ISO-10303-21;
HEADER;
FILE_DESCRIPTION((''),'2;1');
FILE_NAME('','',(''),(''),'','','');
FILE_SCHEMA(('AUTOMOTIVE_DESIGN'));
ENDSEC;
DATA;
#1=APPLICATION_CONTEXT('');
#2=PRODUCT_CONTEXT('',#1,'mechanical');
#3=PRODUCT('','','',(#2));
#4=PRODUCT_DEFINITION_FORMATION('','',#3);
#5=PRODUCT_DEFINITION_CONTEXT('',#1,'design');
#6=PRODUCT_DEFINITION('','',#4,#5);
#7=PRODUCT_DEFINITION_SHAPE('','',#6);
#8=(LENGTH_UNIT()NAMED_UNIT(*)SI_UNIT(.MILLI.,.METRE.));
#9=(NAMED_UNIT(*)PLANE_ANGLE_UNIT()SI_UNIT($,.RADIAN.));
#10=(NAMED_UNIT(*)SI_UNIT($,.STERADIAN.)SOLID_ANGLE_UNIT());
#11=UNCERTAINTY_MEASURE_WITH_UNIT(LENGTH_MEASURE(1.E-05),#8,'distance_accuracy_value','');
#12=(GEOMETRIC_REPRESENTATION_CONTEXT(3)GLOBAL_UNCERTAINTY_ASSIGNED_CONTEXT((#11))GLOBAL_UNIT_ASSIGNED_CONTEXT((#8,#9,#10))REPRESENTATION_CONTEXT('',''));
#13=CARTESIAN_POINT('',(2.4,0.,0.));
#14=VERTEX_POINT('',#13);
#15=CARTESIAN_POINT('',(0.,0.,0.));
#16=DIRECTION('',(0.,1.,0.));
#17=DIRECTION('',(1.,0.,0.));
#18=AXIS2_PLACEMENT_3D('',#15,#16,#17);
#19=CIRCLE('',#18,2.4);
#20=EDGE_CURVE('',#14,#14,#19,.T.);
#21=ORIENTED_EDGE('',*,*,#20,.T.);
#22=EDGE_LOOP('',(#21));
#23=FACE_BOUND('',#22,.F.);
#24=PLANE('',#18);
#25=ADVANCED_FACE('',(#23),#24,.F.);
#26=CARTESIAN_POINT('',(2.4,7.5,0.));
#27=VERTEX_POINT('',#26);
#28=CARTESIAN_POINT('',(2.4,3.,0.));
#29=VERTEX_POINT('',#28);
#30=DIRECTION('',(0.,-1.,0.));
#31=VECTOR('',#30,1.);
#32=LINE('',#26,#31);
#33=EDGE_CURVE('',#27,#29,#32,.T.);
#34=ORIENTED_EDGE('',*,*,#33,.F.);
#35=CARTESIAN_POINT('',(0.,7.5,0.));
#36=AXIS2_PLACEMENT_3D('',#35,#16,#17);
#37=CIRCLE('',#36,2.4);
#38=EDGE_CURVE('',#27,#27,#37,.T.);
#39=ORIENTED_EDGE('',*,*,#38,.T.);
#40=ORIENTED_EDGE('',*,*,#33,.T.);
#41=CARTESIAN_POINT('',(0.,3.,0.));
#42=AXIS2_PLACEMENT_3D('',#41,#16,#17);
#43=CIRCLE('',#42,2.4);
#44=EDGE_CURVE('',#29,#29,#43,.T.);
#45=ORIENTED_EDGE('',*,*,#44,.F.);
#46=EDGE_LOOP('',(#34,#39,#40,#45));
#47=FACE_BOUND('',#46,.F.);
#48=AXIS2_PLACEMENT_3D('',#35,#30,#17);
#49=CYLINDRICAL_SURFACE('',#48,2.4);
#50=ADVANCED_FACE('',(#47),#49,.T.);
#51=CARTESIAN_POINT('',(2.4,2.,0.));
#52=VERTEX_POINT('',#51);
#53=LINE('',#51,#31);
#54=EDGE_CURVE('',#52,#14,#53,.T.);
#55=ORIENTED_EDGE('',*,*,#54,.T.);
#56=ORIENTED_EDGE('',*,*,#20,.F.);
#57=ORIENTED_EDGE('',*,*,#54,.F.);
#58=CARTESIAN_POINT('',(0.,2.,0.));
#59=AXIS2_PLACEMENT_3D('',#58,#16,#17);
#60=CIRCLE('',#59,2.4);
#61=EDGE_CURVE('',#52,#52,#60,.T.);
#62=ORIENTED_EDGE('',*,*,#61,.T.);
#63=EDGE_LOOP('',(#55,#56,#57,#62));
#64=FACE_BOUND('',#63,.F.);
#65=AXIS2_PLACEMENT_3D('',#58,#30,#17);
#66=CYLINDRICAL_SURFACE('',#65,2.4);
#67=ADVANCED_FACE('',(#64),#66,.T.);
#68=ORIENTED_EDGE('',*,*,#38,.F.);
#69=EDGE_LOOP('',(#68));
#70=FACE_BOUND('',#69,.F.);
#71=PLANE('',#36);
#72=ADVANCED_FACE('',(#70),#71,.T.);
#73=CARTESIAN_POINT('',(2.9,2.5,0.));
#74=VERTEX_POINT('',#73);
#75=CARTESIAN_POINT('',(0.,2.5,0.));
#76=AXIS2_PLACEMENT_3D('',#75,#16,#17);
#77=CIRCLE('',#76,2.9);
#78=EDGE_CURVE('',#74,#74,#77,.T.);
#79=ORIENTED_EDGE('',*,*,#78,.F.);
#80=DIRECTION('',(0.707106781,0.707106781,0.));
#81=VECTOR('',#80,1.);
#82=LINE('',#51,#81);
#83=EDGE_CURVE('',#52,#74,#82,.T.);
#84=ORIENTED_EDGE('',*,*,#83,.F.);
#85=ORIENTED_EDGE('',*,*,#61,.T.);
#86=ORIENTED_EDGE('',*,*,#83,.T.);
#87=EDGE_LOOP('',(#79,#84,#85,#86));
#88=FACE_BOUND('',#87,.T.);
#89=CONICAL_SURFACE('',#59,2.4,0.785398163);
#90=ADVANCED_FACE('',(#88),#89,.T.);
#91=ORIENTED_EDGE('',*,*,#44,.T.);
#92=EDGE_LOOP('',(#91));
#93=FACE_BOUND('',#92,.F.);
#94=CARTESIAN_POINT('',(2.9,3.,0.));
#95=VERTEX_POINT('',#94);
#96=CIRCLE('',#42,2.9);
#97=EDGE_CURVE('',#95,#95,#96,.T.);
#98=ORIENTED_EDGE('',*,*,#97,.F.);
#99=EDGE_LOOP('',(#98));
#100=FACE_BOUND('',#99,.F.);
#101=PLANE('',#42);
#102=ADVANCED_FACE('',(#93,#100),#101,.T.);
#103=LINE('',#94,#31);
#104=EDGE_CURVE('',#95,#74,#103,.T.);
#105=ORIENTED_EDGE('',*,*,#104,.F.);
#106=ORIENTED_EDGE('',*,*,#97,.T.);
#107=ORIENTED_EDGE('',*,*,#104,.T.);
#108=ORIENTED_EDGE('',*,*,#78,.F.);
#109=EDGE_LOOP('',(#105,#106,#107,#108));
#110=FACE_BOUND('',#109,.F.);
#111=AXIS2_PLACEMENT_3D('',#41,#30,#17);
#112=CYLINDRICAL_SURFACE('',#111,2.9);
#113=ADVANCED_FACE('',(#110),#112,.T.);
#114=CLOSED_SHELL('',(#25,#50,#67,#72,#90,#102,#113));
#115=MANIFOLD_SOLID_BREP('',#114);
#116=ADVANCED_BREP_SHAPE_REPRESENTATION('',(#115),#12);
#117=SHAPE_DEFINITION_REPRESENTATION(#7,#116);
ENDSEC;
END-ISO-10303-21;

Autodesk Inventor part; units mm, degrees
ref_plane "YZ Plane" through (0, 0, 0) normal (1, 0, 0) x (0, 1, 0)
ref_plane "XZ Plane" through (0, 0, 0) normal (0, 1, 0) x (-1, 0, 0)
ref_plane "XY Plane" through (0, 0, 0) normal (0, 0, 1) x (1, 0, 0)
sketch "Sketch1" plane through (0, 0, 0) normal (0, 0, 1) x (1, 0, 0)
  line L0 (0, 0) -> (0, 7.5)
  line L1 (0, 7.5) -> (2.4, 7.5)
  line L2 (2.4, 7.5) -> (2.4, 3)
  line L3 (2.4, 3) -> (2.9, 3)
  line L4 (2.9, 2) -> (2.4, 2) construction
  line L5 (2.4, 2) -> (2.4, 0)
  line L6 (2.4, 0) -> (0, 0)
  line L7 (2.4, 2) -> (2.9, 2.5)
  line L8 (2.9, 3) -> (2.9, 2.5)
  line L9 (2.9, 2.5) -> (2.9, 2) construction
  dimension "d0" = 2.4
  dimension "d1" = 2
  dimension "d2" = 1
  dimension "d3" = 4.5
  dimension "d7" = 45
  dimension "d8" = 0.5
revolve "Revolution1" add sketch "Sketch1" angle 360 about axis through (0, 0, 0) along (0, 1, 0)
properties part number "Stepper Shaft Extension"
